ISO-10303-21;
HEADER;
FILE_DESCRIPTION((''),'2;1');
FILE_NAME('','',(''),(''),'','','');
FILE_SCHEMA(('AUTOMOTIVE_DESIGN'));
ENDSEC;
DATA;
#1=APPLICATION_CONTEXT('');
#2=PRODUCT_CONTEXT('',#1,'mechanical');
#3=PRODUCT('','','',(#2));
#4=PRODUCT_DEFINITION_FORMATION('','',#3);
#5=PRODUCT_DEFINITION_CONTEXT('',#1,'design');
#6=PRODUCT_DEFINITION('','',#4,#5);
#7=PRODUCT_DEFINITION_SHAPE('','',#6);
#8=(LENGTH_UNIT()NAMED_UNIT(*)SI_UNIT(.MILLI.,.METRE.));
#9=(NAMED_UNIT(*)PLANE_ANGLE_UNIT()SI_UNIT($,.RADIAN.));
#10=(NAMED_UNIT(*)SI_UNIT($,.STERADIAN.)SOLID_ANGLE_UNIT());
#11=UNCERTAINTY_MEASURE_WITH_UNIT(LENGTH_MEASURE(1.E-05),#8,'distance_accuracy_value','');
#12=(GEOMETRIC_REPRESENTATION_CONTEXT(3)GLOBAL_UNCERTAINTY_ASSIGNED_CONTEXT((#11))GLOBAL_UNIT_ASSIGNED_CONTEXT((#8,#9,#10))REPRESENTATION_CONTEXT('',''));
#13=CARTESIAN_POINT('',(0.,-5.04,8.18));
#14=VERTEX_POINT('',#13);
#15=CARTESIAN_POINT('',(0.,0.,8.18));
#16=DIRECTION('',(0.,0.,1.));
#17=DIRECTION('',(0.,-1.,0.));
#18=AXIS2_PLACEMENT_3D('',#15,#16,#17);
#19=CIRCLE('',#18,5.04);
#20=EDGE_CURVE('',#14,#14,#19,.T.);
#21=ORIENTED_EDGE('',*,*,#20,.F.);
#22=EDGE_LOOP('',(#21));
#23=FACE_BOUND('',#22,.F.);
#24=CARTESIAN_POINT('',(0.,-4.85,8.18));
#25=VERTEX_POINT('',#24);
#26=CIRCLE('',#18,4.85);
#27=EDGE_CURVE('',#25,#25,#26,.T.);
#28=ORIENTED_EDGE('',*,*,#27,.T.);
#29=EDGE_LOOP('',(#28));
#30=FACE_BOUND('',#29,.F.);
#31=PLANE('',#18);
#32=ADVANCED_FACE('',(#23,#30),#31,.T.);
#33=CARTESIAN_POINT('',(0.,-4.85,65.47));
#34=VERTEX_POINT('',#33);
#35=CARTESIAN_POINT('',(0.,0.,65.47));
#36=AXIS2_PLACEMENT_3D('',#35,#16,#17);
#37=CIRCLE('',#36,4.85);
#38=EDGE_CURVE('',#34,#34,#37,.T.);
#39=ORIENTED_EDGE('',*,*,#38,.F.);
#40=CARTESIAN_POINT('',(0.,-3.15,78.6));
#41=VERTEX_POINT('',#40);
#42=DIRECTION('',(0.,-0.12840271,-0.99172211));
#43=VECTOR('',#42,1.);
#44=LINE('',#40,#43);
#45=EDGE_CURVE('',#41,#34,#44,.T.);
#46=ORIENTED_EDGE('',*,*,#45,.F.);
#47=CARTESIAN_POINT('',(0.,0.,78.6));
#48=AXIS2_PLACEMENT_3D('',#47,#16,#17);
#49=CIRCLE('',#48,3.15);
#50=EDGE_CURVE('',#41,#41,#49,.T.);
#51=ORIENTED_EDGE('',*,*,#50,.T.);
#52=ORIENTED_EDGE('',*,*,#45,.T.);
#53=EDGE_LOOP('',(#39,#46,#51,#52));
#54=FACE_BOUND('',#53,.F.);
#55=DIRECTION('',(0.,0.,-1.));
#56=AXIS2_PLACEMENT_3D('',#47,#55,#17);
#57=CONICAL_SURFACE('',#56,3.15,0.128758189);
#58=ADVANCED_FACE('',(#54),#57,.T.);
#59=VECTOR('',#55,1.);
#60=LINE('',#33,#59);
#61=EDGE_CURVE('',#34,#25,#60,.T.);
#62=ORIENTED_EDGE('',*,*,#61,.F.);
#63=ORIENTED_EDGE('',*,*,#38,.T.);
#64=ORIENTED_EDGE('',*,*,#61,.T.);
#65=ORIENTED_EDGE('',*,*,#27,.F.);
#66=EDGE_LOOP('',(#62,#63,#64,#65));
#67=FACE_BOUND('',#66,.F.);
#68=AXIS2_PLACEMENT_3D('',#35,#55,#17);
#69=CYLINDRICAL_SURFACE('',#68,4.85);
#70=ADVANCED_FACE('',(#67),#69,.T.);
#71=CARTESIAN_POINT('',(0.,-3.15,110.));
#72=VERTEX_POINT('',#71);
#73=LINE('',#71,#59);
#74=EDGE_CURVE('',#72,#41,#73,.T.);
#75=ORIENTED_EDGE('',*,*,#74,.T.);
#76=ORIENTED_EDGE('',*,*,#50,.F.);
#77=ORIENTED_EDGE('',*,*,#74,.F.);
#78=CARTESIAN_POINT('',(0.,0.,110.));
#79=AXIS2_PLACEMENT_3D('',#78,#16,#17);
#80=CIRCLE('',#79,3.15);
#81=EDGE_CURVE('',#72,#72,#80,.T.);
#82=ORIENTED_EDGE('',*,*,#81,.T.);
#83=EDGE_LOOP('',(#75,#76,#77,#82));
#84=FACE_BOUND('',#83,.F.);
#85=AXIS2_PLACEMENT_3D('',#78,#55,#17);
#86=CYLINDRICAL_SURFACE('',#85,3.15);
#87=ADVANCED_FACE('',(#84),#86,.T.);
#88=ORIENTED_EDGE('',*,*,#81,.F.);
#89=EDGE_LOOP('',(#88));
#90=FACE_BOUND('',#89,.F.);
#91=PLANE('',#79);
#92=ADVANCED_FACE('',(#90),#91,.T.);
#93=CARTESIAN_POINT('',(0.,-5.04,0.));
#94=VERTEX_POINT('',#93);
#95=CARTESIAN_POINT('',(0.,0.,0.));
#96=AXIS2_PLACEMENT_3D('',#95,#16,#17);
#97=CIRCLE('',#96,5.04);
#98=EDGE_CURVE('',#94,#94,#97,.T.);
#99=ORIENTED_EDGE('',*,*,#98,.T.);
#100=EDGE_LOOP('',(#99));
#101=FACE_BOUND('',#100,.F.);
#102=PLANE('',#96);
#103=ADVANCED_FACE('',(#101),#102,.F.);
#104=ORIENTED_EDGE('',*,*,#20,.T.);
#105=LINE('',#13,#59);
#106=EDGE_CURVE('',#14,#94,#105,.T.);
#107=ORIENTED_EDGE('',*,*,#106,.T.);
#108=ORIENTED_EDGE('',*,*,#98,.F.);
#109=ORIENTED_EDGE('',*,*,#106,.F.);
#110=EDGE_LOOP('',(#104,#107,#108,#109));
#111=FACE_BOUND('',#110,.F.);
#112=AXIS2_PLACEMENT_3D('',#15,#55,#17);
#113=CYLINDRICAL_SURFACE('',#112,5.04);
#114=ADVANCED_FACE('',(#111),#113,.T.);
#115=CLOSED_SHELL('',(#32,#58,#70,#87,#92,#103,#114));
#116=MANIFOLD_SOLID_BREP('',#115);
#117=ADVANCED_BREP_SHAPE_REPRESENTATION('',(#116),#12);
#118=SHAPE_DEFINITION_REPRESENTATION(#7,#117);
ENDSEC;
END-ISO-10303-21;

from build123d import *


with BuildPart() as part:
    # Sketch002 → Revolution (revolve)
    with BuildSketch(Plane.YZ):
        Polygon((-5.04, 0), (0, 0), (0, 110), (-3.15, 110), (-3.15, 78.6), (-4.85, 65.47), (-4.85, 8.18), (-5.04, 8.18), align=None)
    revolve(axis=Axis((0, 0, 0), (0, 0, 1)))


solid = part.part
